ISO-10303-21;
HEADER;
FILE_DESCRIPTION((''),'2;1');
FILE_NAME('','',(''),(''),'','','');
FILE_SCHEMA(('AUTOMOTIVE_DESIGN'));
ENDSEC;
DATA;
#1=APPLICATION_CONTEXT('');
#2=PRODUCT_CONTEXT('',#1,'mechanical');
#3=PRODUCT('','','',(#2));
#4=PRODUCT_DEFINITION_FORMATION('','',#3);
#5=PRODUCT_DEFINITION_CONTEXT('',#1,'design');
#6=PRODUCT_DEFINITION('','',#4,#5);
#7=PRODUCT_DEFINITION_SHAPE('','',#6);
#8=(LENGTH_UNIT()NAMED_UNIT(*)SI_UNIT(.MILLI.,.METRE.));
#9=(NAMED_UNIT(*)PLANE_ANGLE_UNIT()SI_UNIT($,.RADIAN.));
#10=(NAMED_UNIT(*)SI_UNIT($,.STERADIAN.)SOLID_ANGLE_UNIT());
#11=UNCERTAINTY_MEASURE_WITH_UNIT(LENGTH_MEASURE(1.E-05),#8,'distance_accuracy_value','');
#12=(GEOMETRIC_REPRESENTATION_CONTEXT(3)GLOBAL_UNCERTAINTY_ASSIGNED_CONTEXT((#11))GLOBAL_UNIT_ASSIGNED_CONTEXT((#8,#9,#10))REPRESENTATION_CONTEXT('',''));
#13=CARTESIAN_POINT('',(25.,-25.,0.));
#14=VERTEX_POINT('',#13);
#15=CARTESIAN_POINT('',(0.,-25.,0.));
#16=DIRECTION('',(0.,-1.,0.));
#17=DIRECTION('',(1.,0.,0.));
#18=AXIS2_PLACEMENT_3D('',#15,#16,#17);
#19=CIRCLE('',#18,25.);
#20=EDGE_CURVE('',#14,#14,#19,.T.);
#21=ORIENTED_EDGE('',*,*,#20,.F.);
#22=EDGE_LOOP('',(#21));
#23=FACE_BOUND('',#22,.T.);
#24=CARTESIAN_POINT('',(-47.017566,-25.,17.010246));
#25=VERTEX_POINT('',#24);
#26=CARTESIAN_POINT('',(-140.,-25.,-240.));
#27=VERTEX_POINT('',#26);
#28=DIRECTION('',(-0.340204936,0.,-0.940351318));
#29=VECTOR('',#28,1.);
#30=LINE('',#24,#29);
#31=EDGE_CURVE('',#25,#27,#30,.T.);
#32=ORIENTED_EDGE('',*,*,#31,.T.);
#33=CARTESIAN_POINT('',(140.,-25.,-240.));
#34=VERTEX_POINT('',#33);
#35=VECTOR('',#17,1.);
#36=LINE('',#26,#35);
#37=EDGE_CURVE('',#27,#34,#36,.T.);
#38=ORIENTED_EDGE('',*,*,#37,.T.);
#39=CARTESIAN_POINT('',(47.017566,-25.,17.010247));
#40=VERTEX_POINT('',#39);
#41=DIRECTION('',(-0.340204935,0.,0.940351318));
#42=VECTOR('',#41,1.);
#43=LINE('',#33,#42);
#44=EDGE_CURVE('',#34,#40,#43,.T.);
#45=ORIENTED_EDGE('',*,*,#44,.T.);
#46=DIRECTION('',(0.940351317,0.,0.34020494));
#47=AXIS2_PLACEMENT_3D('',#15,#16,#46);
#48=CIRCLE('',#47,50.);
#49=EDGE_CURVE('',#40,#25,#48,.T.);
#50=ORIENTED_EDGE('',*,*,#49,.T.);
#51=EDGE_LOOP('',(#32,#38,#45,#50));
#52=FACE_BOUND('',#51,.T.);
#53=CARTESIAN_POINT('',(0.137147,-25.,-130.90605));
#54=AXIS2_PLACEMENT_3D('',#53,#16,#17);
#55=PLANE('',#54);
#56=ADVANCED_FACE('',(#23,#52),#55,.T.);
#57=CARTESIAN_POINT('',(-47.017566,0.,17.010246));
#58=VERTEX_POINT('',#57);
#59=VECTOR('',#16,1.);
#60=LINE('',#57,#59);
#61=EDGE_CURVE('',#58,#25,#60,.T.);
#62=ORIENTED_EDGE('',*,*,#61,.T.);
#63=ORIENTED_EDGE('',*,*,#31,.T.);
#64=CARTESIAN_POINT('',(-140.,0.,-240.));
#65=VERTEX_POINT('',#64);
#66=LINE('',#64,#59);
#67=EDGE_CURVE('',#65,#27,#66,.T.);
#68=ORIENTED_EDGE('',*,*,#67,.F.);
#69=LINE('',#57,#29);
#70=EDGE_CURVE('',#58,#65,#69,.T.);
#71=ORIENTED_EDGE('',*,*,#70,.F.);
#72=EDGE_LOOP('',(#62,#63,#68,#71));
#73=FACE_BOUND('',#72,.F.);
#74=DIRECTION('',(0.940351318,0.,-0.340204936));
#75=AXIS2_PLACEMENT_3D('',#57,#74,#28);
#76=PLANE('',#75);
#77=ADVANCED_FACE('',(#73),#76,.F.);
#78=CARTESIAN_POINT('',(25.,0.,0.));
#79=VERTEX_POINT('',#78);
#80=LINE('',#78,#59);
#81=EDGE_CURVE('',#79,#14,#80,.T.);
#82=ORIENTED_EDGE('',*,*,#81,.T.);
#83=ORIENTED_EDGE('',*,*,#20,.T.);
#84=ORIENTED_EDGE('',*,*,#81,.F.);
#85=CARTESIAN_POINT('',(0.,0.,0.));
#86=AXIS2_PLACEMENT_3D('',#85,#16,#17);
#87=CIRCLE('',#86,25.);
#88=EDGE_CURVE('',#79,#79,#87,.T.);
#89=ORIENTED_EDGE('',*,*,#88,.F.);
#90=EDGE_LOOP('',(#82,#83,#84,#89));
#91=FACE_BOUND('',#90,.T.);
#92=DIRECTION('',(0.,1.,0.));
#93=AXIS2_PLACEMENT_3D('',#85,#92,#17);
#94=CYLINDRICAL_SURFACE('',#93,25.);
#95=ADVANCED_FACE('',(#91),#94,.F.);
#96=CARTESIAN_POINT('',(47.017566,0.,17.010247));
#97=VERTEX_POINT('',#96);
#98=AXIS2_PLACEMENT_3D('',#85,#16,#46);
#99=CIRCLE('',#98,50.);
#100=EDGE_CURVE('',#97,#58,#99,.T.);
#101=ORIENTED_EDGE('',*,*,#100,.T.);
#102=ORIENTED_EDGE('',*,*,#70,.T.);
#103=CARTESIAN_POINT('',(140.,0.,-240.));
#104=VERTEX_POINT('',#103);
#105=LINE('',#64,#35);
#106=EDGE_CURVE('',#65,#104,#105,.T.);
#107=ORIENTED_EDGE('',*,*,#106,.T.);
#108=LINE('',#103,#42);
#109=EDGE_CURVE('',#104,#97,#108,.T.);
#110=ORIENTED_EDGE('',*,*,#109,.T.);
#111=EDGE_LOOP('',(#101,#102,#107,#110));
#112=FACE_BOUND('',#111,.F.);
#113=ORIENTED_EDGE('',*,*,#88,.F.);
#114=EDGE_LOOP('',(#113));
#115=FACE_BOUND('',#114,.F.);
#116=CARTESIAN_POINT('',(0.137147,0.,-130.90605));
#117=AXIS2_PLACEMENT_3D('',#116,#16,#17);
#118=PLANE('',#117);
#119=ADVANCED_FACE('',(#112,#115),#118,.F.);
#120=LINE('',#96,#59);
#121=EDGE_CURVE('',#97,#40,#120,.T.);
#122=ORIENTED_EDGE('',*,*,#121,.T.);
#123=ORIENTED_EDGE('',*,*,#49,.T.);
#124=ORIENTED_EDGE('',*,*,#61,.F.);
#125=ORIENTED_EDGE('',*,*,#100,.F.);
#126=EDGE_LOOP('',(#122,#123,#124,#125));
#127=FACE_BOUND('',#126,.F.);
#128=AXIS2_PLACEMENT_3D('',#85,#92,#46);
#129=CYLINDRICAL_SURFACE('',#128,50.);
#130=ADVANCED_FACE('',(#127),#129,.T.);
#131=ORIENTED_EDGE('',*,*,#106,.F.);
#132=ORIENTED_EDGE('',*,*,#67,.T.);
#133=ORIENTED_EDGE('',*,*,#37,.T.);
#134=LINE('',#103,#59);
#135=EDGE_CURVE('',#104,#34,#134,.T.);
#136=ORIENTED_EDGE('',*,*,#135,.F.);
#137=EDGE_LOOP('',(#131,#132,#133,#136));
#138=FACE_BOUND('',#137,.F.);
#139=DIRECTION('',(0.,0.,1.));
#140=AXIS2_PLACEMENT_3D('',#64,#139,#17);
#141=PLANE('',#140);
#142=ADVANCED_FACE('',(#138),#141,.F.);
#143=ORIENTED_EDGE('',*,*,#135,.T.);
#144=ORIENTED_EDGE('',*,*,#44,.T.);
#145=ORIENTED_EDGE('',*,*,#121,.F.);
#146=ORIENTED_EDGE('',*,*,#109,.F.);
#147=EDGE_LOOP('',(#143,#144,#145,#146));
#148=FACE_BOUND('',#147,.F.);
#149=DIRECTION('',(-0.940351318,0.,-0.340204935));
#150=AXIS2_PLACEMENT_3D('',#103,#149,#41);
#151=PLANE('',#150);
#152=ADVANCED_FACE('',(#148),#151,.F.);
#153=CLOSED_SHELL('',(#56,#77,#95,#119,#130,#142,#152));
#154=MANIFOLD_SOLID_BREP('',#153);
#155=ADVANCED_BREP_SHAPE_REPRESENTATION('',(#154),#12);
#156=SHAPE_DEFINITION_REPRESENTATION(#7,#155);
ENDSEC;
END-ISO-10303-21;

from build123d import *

# Parameters (mm, degrees)
F0_R     = 25
F1_DEPTH = 25


with BuildPart() as f1:
    # F0 (on Front) → F1 (new body)
    with BuildSketch(Plane.XZ):
        with BuildLine():
            ThreePointArc((47.017566, 17.010247), (49.248748, 8.634863), (50, 0))
            ThreePointArc((50, 0), (-8.634862, -49.248748), (-47.017566, 17.010246))
            Line((-47.017566, 17.010246), (-140, -240))
            Line((-140, -240), (0, -240))
            Line((0, -240), (140, -240))
            Line((140, -240), (47.017566, 17.010247))
        make_face()
        with BuildLine():
            ThreePointArc((-47.017566, 17.010246), (-8.634862, -49.248748), (50, 0))
            ThreePointArc((50, 0), (49.248748, 8.634863), (47.017566, 17.010247))
            ThreePointArc((47.017566, 17.010247), (-1e-06, 50), (-47.017566, 17.010246))
        make_face()
        Circle(F0_R, mode=Mode.SUBTRACT)
    extrude(amount=F1_DEPTH)


solid = f1.part
